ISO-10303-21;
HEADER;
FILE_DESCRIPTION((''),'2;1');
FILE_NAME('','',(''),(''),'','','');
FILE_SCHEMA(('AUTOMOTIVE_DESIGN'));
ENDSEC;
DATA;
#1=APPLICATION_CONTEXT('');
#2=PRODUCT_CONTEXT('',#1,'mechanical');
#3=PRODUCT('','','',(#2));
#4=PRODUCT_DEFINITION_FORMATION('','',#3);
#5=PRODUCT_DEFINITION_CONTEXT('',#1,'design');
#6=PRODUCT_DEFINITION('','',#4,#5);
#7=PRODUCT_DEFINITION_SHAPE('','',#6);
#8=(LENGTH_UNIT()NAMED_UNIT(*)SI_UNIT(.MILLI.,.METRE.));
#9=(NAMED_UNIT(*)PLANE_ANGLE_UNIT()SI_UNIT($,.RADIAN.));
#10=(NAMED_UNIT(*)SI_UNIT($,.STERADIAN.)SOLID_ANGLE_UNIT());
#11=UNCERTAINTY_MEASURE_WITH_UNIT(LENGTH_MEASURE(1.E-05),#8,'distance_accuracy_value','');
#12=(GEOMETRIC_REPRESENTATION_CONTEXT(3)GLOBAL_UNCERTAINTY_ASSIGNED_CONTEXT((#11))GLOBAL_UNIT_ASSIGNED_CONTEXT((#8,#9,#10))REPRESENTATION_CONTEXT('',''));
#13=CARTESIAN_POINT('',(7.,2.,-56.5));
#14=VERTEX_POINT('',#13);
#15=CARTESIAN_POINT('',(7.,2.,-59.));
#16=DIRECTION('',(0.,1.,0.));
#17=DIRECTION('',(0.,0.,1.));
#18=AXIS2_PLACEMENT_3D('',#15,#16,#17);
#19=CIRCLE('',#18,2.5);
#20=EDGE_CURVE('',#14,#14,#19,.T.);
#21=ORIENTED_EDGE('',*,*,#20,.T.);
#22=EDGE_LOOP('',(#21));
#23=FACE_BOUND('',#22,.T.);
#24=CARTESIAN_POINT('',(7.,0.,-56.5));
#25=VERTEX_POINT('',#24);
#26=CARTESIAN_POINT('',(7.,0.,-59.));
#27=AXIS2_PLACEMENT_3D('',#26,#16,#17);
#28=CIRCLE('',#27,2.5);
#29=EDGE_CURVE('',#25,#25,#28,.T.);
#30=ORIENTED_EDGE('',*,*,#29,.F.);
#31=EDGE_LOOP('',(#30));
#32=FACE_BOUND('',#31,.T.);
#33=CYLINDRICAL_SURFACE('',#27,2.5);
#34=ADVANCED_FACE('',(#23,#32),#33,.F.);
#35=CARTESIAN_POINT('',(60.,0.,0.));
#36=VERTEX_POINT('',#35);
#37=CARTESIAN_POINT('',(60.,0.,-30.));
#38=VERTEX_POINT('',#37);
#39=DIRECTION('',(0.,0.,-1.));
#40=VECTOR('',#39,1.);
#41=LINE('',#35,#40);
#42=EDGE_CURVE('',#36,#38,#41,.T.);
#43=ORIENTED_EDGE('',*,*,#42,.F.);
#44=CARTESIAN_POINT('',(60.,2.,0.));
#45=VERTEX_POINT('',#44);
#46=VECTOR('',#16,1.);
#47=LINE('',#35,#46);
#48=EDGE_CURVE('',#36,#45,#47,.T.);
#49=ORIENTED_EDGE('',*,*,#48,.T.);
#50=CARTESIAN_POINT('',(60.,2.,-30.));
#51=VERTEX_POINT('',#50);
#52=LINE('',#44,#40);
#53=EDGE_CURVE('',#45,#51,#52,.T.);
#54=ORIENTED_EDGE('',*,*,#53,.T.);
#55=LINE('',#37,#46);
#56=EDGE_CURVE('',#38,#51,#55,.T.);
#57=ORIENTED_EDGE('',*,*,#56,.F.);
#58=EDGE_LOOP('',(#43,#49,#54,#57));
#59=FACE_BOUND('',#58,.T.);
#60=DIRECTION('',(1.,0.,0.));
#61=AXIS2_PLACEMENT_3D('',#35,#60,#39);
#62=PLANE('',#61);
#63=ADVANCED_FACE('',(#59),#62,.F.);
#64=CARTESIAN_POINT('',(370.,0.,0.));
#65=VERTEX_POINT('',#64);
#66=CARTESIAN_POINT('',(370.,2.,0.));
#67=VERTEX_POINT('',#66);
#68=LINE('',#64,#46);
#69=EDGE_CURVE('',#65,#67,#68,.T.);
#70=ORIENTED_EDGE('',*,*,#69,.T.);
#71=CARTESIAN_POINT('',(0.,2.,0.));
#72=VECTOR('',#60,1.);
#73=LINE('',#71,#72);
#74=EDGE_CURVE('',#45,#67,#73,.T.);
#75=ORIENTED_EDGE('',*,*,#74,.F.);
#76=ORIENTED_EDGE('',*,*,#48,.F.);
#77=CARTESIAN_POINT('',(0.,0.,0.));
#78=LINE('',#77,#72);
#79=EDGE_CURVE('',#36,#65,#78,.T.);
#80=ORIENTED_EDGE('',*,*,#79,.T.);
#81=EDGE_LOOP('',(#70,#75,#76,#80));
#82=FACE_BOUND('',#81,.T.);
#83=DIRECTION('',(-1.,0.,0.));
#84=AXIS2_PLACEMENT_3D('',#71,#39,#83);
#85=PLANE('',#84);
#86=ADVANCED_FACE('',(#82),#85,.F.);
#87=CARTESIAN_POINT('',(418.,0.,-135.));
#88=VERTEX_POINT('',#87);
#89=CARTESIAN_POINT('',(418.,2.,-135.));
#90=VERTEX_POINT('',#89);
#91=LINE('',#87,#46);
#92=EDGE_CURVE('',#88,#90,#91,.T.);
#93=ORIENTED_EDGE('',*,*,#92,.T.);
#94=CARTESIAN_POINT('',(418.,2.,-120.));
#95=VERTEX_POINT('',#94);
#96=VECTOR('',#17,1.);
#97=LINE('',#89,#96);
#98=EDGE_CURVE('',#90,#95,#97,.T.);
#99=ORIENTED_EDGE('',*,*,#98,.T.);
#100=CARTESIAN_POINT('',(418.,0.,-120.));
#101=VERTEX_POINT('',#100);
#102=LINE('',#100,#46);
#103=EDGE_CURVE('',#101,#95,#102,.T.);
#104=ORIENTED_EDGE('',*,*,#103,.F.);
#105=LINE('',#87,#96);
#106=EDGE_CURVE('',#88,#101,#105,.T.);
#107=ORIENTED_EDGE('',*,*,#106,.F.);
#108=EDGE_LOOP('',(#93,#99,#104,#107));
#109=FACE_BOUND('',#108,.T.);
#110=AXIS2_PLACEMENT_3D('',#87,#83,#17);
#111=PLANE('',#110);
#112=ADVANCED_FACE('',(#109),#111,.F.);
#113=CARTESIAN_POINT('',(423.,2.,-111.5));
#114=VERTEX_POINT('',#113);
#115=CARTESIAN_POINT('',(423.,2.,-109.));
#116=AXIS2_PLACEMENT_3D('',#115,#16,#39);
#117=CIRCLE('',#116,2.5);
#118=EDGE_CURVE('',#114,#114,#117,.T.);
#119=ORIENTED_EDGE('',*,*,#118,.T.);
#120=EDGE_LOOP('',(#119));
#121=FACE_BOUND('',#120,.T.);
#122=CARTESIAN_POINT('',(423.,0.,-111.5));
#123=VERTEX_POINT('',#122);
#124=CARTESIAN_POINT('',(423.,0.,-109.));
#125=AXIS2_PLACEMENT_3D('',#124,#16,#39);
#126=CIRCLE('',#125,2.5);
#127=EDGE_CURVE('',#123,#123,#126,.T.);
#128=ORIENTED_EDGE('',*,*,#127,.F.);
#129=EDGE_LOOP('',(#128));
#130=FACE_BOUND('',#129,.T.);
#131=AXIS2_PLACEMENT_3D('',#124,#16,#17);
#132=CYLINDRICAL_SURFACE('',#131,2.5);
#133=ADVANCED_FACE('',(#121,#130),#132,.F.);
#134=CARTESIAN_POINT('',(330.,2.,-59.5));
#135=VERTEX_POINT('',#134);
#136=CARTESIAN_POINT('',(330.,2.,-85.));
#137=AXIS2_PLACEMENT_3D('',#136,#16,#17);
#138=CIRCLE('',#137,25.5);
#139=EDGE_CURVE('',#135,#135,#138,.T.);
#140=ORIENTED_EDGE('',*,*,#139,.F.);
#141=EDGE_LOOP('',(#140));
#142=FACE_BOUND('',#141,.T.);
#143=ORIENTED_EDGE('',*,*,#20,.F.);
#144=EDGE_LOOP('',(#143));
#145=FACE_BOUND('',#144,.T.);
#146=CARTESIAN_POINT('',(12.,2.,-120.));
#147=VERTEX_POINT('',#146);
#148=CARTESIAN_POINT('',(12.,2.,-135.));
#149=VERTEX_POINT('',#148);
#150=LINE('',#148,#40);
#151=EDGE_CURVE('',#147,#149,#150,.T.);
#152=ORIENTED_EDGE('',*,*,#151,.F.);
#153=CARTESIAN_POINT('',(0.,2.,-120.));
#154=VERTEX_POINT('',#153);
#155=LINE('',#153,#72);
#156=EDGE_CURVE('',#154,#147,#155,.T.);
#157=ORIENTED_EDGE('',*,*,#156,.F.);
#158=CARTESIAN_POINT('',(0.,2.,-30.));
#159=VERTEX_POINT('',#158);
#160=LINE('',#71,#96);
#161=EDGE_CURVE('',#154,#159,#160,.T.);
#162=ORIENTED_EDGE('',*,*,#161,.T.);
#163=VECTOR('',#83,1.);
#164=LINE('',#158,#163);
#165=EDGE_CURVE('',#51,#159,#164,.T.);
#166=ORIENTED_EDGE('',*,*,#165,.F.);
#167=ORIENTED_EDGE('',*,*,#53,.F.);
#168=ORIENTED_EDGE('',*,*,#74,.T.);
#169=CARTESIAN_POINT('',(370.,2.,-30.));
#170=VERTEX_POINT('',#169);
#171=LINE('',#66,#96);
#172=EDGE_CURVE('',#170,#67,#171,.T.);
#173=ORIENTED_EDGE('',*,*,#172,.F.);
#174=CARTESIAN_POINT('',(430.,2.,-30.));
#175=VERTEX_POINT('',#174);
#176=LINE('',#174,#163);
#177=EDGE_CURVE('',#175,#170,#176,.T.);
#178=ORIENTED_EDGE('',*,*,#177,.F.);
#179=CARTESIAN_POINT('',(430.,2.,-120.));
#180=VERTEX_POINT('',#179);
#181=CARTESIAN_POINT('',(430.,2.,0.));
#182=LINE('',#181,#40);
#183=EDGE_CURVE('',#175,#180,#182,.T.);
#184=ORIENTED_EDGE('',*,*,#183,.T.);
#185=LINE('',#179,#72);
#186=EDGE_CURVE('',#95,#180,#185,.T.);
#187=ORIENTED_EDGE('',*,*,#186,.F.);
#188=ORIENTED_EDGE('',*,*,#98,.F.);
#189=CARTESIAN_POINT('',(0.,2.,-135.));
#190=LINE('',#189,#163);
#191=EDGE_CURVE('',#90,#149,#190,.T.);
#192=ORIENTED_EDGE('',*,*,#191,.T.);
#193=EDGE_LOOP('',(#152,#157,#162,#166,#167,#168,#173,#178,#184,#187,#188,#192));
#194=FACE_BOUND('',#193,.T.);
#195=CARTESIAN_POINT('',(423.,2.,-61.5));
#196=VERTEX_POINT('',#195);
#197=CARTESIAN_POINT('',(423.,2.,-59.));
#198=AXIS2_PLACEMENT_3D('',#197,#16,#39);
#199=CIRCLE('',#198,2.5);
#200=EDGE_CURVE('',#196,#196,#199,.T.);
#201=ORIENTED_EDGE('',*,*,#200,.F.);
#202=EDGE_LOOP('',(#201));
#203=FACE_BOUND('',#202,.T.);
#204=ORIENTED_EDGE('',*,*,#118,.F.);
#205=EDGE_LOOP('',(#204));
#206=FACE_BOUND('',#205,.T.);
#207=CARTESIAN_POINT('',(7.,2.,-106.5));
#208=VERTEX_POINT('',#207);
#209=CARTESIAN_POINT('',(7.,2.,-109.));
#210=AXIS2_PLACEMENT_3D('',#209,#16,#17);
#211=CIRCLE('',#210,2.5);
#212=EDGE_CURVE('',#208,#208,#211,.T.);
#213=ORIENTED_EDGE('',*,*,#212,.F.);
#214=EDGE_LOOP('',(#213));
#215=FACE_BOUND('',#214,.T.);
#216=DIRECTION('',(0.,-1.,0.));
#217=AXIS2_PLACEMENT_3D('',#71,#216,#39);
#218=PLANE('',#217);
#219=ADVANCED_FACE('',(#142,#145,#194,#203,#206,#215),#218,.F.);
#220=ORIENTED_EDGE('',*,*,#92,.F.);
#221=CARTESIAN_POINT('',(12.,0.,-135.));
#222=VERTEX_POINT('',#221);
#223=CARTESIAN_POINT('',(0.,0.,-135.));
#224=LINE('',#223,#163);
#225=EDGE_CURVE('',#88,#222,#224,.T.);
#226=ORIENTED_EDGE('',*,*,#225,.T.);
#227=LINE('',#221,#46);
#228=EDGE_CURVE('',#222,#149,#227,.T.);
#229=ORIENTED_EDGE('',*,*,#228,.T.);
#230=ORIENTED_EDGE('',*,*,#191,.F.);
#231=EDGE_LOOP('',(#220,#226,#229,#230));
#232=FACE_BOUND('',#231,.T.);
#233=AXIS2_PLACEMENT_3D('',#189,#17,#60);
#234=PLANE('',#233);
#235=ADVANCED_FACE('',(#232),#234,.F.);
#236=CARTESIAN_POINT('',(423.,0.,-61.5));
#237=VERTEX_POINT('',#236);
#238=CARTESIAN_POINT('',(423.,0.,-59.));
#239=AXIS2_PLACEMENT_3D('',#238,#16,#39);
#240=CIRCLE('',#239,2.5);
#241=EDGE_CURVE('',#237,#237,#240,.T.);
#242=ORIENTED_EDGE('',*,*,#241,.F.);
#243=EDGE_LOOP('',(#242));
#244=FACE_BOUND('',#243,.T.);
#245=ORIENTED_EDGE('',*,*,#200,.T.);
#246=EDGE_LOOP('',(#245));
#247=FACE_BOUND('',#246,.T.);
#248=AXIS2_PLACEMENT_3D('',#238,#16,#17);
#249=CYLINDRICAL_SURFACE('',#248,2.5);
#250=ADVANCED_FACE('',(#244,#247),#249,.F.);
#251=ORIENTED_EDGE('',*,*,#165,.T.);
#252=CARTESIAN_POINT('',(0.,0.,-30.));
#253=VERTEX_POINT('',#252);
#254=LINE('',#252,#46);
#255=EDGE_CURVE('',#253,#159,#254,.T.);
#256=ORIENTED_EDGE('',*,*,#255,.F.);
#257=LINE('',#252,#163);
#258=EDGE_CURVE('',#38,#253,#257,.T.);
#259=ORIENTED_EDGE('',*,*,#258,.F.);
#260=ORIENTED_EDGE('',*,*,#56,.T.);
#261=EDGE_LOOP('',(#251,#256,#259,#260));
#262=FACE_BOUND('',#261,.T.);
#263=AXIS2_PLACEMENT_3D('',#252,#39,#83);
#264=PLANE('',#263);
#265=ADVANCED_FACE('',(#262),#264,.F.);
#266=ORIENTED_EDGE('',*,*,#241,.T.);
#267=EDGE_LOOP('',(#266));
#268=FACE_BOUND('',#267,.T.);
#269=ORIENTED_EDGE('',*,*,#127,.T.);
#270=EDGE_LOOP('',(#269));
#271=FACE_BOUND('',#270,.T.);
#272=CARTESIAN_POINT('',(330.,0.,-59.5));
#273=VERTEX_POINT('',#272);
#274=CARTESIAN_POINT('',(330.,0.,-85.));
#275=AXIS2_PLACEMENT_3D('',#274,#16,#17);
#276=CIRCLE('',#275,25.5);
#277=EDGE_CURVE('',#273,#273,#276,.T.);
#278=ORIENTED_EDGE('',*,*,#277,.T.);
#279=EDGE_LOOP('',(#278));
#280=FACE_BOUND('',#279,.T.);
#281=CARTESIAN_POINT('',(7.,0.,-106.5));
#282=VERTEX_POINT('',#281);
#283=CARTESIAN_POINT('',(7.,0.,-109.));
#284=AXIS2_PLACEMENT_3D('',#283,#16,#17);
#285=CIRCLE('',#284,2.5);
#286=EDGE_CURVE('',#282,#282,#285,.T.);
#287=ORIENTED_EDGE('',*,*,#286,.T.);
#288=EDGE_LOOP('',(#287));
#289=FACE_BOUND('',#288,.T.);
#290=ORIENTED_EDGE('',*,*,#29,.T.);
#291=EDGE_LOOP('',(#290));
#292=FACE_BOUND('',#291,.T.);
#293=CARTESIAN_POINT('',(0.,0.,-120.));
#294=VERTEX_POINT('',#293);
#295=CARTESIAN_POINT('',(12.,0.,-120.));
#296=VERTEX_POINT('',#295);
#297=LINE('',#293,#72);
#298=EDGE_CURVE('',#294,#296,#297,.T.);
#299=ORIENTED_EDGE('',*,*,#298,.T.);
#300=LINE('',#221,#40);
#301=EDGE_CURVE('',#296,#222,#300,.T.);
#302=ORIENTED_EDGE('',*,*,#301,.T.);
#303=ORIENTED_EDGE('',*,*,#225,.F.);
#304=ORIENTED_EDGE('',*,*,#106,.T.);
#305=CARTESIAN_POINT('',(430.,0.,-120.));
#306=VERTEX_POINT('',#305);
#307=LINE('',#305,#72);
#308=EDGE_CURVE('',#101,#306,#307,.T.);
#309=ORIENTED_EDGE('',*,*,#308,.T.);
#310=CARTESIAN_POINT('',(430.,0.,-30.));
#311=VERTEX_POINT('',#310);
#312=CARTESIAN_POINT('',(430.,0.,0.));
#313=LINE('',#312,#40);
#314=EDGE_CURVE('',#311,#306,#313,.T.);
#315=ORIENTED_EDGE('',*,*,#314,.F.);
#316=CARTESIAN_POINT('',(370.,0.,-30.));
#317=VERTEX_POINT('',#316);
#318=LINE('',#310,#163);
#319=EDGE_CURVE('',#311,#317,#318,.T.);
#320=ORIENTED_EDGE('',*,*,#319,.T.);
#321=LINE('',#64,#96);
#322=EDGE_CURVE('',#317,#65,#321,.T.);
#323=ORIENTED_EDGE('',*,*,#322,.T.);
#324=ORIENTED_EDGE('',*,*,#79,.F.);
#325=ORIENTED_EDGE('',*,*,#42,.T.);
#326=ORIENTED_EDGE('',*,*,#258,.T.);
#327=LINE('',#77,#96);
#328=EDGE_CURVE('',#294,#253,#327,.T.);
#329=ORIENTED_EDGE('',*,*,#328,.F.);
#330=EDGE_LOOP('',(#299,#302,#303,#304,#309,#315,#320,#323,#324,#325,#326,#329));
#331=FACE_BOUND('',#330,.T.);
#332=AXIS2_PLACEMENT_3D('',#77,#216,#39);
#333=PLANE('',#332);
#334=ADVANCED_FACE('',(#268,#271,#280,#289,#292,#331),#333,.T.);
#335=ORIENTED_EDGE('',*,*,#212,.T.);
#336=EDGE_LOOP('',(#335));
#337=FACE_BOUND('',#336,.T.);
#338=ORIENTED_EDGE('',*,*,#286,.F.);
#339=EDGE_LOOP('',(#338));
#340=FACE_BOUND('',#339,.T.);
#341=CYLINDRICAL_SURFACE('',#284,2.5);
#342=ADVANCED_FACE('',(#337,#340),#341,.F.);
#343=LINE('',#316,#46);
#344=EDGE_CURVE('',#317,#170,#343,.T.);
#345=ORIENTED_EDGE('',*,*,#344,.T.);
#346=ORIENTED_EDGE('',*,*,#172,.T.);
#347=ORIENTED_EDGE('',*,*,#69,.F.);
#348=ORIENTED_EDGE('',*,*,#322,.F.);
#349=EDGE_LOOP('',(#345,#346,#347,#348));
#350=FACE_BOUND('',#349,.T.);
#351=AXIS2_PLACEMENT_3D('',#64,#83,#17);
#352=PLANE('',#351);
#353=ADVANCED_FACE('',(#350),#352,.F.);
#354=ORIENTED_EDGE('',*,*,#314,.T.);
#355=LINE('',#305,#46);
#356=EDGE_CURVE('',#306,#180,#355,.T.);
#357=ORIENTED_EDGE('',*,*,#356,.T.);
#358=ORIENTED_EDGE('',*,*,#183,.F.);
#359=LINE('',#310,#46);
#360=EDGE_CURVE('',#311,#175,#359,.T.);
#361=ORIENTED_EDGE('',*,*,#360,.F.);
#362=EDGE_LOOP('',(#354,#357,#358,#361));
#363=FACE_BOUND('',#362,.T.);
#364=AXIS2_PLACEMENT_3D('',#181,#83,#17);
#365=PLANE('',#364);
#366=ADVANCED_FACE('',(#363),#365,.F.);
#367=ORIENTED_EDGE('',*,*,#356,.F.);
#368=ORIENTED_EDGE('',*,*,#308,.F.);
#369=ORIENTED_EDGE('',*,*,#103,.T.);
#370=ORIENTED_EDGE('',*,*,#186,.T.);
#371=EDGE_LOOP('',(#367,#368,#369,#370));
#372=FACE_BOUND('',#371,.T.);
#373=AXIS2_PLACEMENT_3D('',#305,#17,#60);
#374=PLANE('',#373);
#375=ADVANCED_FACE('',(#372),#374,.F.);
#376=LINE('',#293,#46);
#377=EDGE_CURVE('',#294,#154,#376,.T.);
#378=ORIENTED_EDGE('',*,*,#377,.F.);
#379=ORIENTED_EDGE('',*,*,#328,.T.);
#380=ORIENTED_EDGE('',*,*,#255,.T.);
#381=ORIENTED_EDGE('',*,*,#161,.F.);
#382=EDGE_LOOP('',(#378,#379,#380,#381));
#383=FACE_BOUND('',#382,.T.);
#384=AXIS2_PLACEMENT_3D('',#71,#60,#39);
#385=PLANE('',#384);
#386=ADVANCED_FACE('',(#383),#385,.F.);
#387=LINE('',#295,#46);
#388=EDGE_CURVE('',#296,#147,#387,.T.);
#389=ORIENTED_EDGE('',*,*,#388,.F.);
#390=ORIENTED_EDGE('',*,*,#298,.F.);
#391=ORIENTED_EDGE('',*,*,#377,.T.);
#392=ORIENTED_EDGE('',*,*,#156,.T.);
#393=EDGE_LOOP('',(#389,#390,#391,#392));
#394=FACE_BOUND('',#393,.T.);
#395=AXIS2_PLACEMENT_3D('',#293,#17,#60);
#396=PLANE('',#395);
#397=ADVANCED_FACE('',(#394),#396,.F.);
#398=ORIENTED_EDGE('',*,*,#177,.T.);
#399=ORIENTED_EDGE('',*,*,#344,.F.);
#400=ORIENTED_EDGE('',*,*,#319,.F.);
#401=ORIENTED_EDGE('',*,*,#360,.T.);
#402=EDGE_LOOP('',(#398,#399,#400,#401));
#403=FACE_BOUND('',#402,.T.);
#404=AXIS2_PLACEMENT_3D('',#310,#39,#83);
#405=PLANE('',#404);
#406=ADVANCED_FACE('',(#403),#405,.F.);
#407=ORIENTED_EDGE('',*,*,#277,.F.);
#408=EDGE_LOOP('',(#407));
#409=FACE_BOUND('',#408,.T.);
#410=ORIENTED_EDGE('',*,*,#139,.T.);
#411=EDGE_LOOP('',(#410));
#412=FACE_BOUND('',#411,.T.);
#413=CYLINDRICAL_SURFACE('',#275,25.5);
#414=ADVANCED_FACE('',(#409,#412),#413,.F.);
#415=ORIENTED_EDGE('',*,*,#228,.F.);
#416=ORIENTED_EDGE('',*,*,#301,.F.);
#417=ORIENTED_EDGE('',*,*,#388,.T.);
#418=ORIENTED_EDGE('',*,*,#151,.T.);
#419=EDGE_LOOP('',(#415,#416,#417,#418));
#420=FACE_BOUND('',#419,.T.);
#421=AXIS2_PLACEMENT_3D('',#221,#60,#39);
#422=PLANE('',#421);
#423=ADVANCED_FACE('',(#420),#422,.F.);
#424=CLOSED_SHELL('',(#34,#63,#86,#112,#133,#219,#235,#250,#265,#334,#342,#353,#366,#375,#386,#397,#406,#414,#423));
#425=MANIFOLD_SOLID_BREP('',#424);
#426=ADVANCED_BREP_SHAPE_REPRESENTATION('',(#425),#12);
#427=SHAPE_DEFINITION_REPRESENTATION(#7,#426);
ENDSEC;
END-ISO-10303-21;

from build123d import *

# Parameters (mm, degrees)
SKETCH_2_W          = 430
SKETCH_2_H          = 135
EXTRUDE_1_DEPTH     = 2
SKETCH_3_R          = 2.5
SKETCH_3_W          = 12
SKETCH_3_H          = 15
SKETCH_3_W_2        = 60
SKETCH_3_H_2        = 30
CUT_EXTRUDE_1_DEPTH = 451.698347013
SKETCH_4_R          = 25.5
CUT_EXTRUDE_2_DEPTH = 451.698347013


with BuildPart() as part:
    # Эскиз2 → Бобышка-Вытянуть1 (new body)
    with BuildSketch(Plane(origin=(0, 0, 0), x_dir=(1, 0, 0), z_dir=(0, 1, 0))):
        with Locations((215, 67.5)):
            Rectangle(SKETCH_2_W, SKETCH_2_H)
    extrude(amount=EXTRUDE_1_DEPTH)

    # Эскиз3 → Вырез-Вытянуть1 (cut, through all)
    with BuildSketch(Plane(origin=(0, 2, 0), x_dir=(1, 0, 0), z_dir=(0, 1, 0))):
        with Locations(Location((7, 109, 0), (0, 0, 270))):
            Circle(SKETCH_3_R)
        with Locations(Location((423, 109, 0), (0, 0, 90))):
            Circle(SKETCH_3_R)
        with Locations(Location((7, 59, 0), (0, 0, 270))):
            Circle(SKETCH_3_R)
        with Locations(Location((423, 59, 0), (0, 0, 90))):
            Circle(SKETCH_3_R)
        with Locations((424, 127.5)):
            Rectangle(SKETCH_3_W, SKETCH_3_H)
        with Locations((6, 127.5)):
            Rectangle(SKETCH_3_W, SKETCH_3_H)
        with Locations((400, 15)):
            Rectangle(SKETCH_3_W_2, SKETCH_3_H_2)
        with Locations((30, 15)):
            Rectangle(SKETCH_3_W_2, SKETCH_3_H_2)
    extrude(amount=-CUT_EXTRUDE_1_DEPTH, mode=Mode.SUBTRACT)

    # Эскиз4 → Вырез-Вытянуть2 (cut, through all)
    with BuildSketch(Plane(origin=(0, 2, 0), x_dir=(1, 0, 0), z_dir=(0, 1, 0))):
        with Locations(Location((330, 85, 0), (0, 0, 270))):
            Circle(SKETCH_4_R)
    extrude(amount=-CUT_EXTRUDE_2_DEPTH, mode=Mode.SUBTRACT)


solid = part.part
